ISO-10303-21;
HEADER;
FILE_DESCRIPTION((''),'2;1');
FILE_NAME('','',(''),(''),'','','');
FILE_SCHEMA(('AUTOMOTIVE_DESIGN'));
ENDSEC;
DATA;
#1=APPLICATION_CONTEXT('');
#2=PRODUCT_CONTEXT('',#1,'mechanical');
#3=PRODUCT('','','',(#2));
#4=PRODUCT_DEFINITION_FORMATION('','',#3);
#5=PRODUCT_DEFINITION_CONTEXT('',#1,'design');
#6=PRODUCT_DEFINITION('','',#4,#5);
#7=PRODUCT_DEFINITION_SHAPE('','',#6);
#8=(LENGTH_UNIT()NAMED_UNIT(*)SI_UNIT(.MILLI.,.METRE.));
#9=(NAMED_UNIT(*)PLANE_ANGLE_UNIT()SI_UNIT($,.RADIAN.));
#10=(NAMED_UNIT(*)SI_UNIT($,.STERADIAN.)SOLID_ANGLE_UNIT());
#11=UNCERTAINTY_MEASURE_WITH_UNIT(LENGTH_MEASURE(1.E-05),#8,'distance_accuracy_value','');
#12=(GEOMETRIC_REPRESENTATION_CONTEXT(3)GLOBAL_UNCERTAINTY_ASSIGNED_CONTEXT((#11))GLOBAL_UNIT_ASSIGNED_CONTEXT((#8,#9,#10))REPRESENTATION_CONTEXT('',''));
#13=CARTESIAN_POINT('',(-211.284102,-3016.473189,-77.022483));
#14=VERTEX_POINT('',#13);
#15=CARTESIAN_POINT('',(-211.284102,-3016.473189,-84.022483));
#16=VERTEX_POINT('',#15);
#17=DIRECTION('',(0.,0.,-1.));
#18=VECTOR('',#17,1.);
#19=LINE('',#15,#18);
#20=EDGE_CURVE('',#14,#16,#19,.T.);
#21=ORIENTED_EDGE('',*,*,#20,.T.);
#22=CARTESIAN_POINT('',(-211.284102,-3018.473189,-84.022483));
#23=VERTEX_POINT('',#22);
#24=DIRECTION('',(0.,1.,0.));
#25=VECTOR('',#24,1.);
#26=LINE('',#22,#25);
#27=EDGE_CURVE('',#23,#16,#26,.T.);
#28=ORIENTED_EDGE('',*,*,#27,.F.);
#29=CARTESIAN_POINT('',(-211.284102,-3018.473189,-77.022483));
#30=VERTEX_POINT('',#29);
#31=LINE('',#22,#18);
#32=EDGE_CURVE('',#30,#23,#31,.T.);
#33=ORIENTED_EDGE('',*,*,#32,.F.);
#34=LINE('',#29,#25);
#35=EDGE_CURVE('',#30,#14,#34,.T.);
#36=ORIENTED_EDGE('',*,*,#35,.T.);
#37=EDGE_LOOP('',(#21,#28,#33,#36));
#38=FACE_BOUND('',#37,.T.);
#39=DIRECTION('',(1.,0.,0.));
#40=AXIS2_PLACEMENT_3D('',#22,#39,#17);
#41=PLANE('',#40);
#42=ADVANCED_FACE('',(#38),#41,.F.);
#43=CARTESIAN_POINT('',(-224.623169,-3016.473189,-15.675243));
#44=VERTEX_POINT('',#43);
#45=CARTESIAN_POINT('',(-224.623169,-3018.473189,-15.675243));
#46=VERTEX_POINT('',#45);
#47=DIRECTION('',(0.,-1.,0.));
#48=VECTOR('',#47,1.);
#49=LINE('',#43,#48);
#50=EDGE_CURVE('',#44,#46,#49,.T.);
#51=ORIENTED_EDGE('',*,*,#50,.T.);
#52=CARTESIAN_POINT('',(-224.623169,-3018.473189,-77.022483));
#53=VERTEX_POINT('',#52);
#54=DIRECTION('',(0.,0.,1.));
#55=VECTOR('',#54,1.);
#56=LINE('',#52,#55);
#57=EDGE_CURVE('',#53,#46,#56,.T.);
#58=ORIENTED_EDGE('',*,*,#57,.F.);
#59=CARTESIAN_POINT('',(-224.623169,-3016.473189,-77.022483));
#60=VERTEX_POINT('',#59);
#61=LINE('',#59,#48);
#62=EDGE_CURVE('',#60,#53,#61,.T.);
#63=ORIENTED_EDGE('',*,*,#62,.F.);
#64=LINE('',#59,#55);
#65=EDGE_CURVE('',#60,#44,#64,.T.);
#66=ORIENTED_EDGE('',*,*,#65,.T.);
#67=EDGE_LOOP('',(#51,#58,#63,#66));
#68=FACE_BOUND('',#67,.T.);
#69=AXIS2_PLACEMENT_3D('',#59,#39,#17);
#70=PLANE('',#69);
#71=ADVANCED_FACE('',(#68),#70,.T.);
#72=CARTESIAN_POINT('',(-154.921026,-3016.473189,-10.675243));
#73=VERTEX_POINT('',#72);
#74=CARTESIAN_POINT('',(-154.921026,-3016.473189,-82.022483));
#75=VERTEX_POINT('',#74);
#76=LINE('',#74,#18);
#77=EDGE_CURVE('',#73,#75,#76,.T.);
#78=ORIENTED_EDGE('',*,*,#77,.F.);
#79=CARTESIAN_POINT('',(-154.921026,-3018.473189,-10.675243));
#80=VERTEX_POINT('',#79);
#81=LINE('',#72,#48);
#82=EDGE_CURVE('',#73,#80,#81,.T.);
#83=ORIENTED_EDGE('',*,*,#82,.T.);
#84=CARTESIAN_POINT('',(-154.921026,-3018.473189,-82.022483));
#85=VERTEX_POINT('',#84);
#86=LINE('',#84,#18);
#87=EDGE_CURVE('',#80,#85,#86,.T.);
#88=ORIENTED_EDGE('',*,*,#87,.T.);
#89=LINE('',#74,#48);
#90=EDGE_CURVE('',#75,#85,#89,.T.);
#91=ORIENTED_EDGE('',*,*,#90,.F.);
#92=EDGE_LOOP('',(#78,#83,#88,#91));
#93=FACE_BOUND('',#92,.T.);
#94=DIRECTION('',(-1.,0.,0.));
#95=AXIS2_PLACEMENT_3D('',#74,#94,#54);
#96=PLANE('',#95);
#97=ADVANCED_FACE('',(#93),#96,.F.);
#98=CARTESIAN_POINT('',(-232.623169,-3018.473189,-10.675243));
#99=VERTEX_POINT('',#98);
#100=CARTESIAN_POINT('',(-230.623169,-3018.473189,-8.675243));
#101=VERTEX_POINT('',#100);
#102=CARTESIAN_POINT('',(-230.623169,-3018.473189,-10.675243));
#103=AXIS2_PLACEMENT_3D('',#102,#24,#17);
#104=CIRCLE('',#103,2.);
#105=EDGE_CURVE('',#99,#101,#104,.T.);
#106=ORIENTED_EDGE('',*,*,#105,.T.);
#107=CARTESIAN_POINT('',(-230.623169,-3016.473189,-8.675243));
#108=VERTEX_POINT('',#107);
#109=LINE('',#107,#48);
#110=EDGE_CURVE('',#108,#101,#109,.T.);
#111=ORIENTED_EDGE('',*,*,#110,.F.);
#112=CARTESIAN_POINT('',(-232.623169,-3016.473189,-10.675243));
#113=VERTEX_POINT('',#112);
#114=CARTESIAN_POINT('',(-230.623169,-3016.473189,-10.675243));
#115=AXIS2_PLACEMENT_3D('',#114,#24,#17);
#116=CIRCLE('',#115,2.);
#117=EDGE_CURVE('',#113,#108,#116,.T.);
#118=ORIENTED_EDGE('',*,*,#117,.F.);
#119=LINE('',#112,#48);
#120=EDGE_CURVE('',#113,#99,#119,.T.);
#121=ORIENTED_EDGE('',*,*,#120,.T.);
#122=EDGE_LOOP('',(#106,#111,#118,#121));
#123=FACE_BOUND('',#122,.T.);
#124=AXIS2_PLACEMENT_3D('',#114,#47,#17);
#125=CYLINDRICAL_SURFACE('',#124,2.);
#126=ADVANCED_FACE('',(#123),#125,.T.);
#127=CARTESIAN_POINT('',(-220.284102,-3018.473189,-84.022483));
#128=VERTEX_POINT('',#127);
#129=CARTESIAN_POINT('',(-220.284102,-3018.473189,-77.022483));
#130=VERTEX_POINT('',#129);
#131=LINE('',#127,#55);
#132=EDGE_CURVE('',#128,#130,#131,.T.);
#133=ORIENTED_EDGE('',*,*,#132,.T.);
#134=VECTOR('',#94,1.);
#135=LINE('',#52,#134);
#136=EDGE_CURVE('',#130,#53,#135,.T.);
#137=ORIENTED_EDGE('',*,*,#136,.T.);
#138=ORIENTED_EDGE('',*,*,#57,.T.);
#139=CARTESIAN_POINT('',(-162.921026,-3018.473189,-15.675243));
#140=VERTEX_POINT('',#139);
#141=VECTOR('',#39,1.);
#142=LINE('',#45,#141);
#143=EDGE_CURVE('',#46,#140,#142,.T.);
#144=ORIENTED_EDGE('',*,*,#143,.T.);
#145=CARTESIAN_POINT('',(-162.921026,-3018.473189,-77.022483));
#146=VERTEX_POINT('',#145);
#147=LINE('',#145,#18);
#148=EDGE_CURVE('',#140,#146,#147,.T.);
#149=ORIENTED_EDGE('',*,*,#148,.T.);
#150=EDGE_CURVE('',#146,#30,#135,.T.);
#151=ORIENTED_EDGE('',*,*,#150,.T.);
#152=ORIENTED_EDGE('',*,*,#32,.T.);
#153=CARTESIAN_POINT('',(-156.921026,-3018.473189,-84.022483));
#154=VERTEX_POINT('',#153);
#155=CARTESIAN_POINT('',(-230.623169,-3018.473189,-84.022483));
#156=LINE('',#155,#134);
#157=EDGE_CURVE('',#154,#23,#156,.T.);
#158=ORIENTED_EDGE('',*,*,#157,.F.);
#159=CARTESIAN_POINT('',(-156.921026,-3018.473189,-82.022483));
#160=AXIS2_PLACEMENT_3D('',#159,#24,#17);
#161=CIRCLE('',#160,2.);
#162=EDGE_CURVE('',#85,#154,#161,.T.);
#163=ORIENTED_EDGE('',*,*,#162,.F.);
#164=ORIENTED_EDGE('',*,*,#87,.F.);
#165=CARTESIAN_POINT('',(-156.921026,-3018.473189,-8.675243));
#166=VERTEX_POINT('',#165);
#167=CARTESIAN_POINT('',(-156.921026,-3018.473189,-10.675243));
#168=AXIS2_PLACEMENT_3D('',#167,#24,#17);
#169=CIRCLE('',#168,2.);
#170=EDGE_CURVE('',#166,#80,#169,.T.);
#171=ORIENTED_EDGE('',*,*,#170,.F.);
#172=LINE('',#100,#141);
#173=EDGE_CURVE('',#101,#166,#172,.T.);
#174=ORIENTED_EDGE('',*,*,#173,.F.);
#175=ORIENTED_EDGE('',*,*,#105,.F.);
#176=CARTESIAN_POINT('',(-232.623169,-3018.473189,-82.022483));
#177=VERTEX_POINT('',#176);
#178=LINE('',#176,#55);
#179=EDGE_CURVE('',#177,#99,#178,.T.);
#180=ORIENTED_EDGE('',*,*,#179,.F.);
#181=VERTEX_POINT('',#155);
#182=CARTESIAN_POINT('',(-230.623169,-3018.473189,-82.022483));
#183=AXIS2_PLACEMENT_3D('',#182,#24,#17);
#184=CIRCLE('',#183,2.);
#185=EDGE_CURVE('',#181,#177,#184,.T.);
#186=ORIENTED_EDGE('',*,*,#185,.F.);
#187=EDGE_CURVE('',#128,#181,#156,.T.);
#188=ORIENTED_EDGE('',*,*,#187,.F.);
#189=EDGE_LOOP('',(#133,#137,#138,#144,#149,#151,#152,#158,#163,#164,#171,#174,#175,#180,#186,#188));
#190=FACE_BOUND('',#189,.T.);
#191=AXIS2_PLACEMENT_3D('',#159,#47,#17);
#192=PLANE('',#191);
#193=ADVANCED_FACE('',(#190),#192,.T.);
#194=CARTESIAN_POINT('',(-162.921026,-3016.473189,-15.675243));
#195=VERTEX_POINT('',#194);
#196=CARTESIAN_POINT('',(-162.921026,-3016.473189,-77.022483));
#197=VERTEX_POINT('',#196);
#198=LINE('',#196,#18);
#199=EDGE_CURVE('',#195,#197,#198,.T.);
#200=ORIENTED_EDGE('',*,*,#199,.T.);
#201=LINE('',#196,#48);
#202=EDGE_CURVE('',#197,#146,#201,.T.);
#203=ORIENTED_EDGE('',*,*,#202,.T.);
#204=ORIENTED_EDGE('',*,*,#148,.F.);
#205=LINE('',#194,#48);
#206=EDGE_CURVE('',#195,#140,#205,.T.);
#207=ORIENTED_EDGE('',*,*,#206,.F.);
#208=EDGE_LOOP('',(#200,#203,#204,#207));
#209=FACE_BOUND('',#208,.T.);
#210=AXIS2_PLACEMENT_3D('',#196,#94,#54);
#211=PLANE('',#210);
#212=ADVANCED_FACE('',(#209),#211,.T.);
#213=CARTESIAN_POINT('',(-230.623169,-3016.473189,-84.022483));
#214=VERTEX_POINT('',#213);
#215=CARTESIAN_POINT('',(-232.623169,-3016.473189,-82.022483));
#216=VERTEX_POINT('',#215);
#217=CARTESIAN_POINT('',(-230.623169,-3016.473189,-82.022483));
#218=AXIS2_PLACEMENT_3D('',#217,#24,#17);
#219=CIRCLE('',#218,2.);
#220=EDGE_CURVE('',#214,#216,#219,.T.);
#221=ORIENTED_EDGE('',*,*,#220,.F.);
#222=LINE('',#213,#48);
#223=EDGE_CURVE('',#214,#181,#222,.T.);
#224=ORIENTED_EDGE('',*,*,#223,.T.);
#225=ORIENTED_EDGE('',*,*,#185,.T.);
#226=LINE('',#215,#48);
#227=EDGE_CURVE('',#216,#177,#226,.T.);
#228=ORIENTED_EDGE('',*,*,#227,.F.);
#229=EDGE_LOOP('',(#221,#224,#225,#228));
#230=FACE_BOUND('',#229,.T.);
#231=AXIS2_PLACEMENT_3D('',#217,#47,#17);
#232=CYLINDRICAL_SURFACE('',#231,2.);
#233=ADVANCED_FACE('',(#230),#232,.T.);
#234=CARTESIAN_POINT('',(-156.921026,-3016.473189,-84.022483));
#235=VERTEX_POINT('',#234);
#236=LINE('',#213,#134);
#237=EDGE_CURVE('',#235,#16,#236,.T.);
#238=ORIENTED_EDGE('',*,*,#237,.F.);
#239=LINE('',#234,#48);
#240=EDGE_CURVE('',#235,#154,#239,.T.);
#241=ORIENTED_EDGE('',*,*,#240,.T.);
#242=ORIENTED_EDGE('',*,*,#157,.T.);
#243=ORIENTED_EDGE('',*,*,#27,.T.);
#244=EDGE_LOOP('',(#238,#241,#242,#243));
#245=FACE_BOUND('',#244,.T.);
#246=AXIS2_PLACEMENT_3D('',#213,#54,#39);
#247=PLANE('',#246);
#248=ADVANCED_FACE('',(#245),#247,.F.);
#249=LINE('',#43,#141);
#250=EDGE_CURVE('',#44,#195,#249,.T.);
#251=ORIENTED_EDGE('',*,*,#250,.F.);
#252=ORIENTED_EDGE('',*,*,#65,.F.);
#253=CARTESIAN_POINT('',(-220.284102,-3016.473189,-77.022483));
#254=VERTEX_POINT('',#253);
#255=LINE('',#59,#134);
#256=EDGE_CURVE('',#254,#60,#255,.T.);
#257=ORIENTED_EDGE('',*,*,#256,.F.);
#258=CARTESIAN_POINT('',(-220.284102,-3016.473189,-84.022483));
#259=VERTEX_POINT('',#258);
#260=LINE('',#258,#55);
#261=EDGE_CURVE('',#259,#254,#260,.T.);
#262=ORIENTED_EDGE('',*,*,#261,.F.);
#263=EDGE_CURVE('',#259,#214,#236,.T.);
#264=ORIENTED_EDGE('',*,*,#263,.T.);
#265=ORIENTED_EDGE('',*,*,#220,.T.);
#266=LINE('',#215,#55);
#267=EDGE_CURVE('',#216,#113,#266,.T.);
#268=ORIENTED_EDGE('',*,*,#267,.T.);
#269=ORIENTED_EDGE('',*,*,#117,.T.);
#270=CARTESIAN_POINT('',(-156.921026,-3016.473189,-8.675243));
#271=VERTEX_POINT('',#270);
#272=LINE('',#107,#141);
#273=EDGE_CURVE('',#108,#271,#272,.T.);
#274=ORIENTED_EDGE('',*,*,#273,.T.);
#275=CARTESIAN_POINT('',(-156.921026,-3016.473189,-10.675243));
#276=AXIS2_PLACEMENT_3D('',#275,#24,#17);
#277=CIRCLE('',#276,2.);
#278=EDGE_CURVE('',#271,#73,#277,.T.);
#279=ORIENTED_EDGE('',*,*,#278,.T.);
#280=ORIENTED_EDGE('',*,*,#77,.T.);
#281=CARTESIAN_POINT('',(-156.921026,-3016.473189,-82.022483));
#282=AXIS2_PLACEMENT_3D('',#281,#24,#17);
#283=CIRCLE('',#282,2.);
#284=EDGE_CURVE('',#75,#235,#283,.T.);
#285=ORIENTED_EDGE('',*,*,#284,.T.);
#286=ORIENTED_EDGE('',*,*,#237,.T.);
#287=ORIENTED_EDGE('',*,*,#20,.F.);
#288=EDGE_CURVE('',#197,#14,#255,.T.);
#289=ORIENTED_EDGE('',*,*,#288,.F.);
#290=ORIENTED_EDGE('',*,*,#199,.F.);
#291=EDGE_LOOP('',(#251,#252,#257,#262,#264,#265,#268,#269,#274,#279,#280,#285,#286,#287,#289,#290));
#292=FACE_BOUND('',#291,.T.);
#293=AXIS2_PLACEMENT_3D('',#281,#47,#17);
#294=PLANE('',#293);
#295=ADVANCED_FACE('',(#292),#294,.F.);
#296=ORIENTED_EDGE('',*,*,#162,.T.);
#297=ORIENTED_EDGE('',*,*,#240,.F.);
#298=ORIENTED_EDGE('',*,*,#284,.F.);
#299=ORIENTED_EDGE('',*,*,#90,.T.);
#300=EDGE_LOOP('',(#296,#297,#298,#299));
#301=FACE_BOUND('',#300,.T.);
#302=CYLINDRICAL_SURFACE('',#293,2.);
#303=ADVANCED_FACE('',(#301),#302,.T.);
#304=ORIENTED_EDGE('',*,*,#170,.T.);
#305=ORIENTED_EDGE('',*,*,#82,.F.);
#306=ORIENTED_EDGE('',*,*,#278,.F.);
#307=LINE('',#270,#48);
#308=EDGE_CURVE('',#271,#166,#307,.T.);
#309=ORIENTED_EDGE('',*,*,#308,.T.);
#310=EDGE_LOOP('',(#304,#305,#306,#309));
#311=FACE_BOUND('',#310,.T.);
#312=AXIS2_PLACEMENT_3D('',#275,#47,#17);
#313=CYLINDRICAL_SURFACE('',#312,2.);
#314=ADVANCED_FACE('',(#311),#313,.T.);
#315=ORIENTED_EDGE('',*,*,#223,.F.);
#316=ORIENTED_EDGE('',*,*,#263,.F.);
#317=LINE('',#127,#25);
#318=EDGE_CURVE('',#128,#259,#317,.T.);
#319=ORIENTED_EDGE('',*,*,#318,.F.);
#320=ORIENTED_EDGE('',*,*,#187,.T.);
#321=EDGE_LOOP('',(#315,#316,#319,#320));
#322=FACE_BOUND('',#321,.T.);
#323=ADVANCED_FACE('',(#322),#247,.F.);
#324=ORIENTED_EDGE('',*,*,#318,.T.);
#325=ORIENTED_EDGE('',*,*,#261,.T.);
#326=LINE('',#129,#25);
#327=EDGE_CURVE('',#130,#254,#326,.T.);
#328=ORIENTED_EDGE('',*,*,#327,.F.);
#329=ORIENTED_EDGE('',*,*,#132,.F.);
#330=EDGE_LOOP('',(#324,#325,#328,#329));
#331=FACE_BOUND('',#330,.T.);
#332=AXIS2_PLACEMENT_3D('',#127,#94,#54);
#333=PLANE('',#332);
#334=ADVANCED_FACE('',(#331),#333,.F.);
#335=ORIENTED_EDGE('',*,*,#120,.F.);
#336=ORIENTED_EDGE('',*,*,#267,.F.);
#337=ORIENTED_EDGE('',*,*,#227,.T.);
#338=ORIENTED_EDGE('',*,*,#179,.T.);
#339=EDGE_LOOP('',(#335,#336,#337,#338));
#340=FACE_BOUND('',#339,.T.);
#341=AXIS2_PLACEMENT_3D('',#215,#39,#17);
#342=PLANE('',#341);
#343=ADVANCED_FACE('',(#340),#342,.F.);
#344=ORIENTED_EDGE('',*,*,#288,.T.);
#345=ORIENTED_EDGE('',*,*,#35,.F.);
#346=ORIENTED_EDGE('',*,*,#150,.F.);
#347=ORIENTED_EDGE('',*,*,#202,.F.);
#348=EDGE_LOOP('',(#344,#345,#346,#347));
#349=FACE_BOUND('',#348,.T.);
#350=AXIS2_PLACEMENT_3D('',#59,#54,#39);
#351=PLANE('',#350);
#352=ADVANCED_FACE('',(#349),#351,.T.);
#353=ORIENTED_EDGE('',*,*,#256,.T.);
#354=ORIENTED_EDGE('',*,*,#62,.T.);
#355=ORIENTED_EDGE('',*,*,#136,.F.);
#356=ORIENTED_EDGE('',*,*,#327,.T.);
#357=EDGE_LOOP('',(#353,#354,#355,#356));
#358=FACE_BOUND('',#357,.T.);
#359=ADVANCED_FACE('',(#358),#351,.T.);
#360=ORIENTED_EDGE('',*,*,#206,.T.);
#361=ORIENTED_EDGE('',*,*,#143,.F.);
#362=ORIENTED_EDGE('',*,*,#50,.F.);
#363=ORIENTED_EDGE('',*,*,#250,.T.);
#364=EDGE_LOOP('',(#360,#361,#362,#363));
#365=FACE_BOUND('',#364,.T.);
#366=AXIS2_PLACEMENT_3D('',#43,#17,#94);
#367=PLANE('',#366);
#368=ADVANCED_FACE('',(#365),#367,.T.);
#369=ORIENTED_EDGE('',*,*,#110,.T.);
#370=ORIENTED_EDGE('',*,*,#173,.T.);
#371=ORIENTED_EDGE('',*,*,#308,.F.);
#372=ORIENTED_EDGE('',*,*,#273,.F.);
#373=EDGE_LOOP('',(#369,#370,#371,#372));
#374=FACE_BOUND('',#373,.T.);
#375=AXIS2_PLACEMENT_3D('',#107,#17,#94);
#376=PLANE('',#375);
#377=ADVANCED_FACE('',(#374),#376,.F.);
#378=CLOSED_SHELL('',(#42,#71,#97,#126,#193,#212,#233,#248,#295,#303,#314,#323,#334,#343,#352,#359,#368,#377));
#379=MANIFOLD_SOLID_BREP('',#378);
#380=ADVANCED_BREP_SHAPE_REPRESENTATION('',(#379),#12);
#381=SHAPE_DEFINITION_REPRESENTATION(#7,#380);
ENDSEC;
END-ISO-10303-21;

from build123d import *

# Parameters (mm, degrees)
SKETCH_1_W          = 61.702142611
SKETCH_1_H          = 61.347239899
EXTRUDE_1_DEPTH     = 2
SKETCH_2_W          = 9
SKETCH_2_H          = 7
CUT_EXTRUDE_1_DEPTH = 2


with BuildPart() as part:
    # 草图1 → 凸台-拉伸1 (new body)
    with BuildSketch(Plane(origin=(-113.392096834, -3018.473189006, -237.947347726), x_dir=(1, 0, 0), z_dir=(0, 1, 0))):
        with BuildLine():
            Line((-117.231072015, -153.924864972), (-43.528929404, -153.924864972))
            ThreePointArc((-43.528929404, -153.924864972), (-42.114715842, -154.510651409), (-41.528929404, -155.924864972))
            Line((-41.528929404, -155.924864972), (-41.528929404, -227.272104871))
            ThreePointArc((-41.528929404, -227.272104871), (-42.114715842, -228.686318433), (-43.528929404, -229.272104871))
            Line((-43.528929404, -229.272104871), (-117.231072015, -229.272104871))
            ThreePointArc((-117.231072015, -229.272104871), (-118.645285578, -228.686318433), (-119.231072015, -227.272104871))
            Line((-119.231072015, -227.272104871), (-119.231072015, -155.924864972))
            ThreePointArc((-119.231072015, -155.924864972), (-118.645285578, -154.510651409), (-117.231072015, -153.924864972))
        make_face()
        with Locations((-80.38000071, -191.598484922)):
            Rectangle(SKETCH_1_W, SKETCH_1_H, mode=Mode.SUBTRACT)
    extrude(amount=EXTRUDE_1_DEPTH)

    # 草图2 → 切除-拉伸1 (cut)
    with BuildSketch(Plane(origin=(0, -3016.473189006, 0), x_dir=(1, 0, 0), z_dir=(0, 1, 0))):
        with Locations((-215.784101988, 80.522482755)):
            Rectangle(SKETCH_2_W, SKETCH_2_H)
    extrude(amount=-CUT_EXTRUDE_1_DEPTH, mode=Mode.SUBTRACT)


solid = part.part
